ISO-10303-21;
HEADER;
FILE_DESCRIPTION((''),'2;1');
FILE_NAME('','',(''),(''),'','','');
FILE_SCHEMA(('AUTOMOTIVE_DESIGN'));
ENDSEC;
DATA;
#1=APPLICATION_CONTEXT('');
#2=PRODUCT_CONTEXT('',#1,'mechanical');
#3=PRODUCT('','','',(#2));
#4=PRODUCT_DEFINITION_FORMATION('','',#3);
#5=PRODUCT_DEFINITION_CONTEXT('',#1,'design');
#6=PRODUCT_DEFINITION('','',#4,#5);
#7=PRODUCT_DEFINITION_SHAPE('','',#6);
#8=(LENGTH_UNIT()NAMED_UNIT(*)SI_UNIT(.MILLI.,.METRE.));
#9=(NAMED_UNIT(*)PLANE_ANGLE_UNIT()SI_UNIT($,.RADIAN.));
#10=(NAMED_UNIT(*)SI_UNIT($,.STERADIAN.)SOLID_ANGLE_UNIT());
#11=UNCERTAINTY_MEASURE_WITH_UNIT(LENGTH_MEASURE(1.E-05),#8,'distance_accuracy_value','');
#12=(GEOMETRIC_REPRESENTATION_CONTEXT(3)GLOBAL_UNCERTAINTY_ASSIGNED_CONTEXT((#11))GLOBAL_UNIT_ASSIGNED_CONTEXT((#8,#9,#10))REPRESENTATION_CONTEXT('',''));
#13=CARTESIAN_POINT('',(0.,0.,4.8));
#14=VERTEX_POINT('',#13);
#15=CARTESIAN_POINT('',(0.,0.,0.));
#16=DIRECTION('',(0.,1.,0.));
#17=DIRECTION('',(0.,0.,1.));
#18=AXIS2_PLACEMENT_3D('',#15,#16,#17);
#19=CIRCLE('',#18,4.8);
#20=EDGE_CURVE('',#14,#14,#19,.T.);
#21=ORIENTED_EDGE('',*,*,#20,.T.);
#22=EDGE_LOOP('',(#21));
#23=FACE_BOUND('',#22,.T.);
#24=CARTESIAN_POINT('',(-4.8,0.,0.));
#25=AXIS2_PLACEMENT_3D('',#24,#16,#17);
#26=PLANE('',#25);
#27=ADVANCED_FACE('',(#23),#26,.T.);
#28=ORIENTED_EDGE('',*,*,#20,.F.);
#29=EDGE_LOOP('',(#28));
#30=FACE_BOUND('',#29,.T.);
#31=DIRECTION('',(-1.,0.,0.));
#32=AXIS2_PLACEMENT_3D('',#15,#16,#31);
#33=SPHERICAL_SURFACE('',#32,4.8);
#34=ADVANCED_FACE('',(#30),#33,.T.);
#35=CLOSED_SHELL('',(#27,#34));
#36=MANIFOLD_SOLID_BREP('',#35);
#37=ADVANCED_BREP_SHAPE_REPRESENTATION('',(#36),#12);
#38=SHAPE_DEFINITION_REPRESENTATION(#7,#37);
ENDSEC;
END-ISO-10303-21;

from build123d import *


with BuildPart() as part:
    # Sketch1 → Revolve1 (revolve)
    with BuildSketch(Plane.XY):
        with BuildLine():
            Line((-4.8, 0), (0, 0))
            Line((0, 0), (0, -4.8))
            ThreePointArc((0, -4.8), (-3.39411255, -3.39411255), (-4.8, 0))
        make_face()
    revolve(axis=Axis((0, 0, 0), (0, -1, 0)))


solid = part.part
